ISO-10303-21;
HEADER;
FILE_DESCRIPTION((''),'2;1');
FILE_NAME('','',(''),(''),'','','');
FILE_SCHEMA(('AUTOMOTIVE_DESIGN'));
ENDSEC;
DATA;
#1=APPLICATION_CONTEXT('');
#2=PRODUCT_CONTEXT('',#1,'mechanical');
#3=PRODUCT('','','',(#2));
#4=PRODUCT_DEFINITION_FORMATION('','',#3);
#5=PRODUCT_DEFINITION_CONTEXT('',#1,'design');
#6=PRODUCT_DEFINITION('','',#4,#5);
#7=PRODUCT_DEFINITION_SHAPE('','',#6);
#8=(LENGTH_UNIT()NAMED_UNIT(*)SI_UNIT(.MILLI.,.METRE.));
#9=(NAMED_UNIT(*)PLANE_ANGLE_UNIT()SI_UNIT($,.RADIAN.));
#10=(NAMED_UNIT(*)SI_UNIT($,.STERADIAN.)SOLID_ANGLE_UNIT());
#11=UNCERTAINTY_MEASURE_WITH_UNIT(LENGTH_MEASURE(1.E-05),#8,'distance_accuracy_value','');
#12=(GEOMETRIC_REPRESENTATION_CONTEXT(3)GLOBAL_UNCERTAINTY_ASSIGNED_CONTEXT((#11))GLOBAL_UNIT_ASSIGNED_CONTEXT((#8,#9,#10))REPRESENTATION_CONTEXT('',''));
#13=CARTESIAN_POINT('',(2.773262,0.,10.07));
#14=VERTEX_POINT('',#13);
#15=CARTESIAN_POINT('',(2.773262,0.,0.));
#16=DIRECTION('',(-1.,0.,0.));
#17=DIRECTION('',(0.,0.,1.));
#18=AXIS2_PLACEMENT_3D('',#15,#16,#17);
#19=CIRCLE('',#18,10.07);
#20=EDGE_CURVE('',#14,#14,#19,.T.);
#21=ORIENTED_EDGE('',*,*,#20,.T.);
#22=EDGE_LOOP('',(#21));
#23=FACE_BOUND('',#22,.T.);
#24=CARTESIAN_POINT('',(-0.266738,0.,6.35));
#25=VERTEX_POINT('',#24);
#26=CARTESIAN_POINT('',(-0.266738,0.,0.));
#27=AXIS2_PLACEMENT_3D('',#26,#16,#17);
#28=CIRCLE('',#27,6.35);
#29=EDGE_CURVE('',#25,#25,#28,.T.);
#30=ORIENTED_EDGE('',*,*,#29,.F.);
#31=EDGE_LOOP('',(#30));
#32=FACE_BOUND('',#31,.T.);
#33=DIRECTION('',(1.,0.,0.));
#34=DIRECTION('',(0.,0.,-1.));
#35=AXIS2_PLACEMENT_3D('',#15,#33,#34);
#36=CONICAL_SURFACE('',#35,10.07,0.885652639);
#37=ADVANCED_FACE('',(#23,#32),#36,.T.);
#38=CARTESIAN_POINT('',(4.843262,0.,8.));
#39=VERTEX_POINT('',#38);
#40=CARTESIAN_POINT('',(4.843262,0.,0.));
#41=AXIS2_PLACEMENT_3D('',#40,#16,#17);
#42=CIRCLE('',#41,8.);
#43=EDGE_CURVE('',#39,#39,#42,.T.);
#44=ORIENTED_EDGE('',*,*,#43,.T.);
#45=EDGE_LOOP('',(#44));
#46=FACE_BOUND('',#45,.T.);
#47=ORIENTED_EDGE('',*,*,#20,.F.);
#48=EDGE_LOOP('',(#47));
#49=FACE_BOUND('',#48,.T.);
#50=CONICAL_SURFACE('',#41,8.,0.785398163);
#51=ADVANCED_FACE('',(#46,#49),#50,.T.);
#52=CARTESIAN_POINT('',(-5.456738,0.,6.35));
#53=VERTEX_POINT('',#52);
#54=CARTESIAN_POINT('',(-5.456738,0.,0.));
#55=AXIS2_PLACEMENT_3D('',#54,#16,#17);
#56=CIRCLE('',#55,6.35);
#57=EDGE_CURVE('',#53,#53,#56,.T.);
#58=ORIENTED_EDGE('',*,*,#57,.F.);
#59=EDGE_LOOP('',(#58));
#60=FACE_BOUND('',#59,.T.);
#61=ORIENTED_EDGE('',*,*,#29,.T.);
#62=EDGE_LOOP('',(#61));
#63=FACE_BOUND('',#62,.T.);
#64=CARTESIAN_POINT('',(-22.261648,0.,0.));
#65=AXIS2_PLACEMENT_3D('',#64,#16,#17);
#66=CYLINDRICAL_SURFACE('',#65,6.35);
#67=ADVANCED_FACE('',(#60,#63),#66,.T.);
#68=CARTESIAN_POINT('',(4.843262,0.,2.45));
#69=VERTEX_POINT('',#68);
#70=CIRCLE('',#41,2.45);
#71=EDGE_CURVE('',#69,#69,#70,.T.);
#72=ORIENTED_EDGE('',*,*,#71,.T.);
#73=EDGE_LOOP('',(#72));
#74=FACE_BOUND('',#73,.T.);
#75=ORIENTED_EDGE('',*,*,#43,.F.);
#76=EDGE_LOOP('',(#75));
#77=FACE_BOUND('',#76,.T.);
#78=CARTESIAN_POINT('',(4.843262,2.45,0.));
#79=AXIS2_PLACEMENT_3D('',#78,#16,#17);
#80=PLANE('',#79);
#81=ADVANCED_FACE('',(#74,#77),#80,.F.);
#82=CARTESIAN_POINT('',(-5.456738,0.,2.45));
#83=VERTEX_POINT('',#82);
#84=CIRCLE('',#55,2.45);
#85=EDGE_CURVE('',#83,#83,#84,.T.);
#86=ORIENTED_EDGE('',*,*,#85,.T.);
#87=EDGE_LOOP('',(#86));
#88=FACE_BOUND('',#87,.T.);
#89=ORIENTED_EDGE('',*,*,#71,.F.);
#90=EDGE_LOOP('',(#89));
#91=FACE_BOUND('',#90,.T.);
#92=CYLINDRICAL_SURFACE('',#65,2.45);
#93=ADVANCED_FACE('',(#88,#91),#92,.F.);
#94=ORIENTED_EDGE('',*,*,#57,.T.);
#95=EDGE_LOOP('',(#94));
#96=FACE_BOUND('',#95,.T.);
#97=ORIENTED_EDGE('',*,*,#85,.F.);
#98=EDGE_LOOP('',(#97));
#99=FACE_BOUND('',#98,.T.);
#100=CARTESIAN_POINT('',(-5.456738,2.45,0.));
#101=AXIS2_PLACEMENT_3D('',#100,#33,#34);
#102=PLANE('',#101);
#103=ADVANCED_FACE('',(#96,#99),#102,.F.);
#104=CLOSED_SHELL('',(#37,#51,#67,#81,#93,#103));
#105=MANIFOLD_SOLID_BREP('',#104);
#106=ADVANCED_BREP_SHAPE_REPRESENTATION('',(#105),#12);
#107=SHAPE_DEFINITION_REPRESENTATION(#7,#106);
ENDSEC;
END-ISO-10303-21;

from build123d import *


with BuildPart() as part:
    # Sketch1 → Revolve1 (revolve)
    with BuildSketch(Plane.XY, mode=Mode.PRIVATE) as revolve1_sk:
        Polygon((4.843261506, 8), (2.773261506, 10.07), (-0.266738494, 6.35), (-5.456738494, 6.35), (-5.456738494, 2.45), (4.843261506, 2.45), align=None)
    revolve(revolve1_sk.sketch.rotate(Axis((-22.261648433, 0, 0), (1, 0, 0)), 90), axis=Axis((-22.261648433, 0, 0), (1, 0, 0)))


solid = part.part
